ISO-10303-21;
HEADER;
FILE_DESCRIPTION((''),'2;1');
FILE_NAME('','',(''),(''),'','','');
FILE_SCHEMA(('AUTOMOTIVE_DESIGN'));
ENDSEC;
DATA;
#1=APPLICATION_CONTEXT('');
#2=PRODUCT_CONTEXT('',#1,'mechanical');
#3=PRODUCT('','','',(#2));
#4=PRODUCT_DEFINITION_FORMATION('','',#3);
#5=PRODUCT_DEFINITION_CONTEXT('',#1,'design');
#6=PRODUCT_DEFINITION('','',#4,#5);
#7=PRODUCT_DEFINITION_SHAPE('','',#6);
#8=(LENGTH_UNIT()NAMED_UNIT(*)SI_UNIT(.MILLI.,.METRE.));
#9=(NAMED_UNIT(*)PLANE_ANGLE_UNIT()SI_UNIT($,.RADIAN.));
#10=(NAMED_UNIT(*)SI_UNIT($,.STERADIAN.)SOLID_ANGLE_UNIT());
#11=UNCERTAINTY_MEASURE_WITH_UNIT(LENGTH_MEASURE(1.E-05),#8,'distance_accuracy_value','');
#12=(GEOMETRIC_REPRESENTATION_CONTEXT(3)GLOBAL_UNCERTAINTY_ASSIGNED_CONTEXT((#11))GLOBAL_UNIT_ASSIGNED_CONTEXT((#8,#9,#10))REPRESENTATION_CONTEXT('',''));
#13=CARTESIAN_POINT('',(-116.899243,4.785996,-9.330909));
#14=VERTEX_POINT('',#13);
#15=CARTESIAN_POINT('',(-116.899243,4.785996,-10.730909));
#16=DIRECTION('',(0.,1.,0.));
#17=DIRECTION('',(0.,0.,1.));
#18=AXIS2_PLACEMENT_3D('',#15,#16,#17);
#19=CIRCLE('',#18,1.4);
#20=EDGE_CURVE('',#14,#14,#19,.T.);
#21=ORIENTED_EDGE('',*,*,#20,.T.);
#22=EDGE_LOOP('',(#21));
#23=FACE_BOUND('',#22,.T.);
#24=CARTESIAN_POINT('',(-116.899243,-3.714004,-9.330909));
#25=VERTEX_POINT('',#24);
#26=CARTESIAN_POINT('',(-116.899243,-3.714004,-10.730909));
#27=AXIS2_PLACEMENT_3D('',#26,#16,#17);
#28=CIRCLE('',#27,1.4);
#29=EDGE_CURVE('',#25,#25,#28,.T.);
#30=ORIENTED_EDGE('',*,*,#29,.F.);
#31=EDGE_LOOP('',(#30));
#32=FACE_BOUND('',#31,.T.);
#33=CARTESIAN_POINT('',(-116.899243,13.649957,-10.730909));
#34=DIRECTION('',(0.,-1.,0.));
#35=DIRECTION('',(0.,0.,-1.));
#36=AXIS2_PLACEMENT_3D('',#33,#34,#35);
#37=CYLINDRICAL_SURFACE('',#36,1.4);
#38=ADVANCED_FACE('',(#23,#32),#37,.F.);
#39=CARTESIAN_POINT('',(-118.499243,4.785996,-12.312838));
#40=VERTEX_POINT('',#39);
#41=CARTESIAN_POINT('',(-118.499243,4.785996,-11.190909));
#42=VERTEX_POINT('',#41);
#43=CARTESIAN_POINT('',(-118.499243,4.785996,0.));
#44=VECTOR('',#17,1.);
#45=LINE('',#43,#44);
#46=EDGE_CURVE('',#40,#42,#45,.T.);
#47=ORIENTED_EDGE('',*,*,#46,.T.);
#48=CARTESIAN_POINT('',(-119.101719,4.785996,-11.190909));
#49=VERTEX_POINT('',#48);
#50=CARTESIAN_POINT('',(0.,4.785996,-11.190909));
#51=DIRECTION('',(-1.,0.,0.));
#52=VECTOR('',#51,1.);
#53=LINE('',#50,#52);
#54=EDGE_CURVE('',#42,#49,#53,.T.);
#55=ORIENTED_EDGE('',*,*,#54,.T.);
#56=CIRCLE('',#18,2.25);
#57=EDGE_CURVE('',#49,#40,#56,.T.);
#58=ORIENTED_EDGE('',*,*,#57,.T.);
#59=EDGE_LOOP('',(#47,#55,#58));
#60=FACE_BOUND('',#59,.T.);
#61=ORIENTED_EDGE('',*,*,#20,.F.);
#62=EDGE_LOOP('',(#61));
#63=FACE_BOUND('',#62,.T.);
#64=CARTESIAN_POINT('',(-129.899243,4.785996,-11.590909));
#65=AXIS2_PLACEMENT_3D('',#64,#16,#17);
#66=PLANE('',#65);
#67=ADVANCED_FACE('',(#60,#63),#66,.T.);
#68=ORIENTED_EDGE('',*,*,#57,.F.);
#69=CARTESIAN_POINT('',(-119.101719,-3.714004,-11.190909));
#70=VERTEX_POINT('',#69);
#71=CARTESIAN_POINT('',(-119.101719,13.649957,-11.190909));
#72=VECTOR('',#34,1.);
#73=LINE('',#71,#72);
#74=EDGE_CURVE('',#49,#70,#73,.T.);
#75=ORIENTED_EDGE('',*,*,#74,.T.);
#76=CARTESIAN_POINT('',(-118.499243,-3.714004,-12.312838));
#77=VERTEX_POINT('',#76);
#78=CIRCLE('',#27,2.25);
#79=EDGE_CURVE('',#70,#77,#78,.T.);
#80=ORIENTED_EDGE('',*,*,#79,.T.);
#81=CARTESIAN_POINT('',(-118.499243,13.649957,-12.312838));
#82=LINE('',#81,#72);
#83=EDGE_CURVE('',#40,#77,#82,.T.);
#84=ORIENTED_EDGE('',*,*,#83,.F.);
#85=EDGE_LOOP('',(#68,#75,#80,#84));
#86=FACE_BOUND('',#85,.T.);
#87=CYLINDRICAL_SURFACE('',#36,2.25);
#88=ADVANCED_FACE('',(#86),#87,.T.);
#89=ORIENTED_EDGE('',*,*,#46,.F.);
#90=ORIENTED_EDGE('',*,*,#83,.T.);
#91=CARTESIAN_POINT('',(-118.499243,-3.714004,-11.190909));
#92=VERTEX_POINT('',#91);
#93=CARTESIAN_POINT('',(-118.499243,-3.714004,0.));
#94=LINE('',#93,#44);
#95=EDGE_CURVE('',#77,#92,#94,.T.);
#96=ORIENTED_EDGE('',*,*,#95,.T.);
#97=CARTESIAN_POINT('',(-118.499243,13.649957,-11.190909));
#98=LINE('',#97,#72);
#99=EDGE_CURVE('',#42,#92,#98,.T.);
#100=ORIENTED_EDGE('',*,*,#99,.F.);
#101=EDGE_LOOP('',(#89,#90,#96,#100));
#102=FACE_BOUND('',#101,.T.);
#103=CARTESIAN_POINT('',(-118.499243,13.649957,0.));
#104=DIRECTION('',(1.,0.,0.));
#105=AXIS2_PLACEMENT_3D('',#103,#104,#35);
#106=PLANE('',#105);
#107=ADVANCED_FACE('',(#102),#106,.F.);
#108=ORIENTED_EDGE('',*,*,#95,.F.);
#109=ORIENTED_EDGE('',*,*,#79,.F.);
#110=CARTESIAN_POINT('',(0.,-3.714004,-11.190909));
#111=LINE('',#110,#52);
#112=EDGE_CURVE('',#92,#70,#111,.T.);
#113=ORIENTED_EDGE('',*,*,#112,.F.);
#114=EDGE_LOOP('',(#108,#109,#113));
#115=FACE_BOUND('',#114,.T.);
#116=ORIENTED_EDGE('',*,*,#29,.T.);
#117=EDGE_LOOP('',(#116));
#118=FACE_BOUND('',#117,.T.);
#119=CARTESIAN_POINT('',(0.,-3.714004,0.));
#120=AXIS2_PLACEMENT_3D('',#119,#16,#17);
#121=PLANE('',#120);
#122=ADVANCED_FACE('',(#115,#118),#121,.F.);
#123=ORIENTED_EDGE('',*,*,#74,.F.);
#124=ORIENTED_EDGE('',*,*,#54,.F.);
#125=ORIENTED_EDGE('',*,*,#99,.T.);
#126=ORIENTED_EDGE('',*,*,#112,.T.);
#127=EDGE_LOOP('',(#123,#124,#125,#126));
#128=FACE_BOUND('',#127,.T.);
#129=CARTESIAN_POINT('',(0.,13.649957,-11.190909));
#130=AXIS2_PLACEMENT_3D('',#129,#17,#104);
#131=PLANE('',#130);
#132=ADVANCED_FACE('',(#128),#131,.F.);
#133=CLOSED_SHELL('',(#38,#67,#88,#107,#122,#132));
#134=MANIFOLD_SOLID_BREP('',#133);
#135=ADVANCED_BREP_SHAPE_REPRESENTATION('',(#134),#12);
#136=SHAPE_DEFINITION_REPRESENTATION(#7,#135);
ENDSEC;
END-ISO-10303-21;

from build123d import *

# Parameters (mm, degrees)
SKETCH1_R           = 1.4
BOSS_EXTRUDE1_DEPTH = 8.5


with BuildPart() as part:
    # Sketch1 → Boss-Extrude1 (new body)
    with BuildSketch(Plane(origin=(0, -3.71400402, 0), x_dir=(1, 0, 0), z_dir=(0, 1, 0))):
        with BuildLine():
            ThreePointArc((-114.649243174, 10.730908874), (-116.044111605, 12.812074413), (-118.499243174, 12.312838076))
            Line((-118.499243174, 12.312838076), (-118.499243174, 11.190908874))
            Line((-118.499243174, 11.190908874), (-119.101719053, 11.190908874))
            ThreePointArc((-119.101719053, 11.190908874), (-117.130467384, 8.49282144), (-114.649243174, 10.730908874))
        make_face()
        with Locations((-116.899243174, 10.730908874)):
            Circle(SKETCH1_R, mode=Mode.SUBTRACT)
    extrude(amount=BOSS_EXTRUDE1_DEPTH)


solid = part.part
